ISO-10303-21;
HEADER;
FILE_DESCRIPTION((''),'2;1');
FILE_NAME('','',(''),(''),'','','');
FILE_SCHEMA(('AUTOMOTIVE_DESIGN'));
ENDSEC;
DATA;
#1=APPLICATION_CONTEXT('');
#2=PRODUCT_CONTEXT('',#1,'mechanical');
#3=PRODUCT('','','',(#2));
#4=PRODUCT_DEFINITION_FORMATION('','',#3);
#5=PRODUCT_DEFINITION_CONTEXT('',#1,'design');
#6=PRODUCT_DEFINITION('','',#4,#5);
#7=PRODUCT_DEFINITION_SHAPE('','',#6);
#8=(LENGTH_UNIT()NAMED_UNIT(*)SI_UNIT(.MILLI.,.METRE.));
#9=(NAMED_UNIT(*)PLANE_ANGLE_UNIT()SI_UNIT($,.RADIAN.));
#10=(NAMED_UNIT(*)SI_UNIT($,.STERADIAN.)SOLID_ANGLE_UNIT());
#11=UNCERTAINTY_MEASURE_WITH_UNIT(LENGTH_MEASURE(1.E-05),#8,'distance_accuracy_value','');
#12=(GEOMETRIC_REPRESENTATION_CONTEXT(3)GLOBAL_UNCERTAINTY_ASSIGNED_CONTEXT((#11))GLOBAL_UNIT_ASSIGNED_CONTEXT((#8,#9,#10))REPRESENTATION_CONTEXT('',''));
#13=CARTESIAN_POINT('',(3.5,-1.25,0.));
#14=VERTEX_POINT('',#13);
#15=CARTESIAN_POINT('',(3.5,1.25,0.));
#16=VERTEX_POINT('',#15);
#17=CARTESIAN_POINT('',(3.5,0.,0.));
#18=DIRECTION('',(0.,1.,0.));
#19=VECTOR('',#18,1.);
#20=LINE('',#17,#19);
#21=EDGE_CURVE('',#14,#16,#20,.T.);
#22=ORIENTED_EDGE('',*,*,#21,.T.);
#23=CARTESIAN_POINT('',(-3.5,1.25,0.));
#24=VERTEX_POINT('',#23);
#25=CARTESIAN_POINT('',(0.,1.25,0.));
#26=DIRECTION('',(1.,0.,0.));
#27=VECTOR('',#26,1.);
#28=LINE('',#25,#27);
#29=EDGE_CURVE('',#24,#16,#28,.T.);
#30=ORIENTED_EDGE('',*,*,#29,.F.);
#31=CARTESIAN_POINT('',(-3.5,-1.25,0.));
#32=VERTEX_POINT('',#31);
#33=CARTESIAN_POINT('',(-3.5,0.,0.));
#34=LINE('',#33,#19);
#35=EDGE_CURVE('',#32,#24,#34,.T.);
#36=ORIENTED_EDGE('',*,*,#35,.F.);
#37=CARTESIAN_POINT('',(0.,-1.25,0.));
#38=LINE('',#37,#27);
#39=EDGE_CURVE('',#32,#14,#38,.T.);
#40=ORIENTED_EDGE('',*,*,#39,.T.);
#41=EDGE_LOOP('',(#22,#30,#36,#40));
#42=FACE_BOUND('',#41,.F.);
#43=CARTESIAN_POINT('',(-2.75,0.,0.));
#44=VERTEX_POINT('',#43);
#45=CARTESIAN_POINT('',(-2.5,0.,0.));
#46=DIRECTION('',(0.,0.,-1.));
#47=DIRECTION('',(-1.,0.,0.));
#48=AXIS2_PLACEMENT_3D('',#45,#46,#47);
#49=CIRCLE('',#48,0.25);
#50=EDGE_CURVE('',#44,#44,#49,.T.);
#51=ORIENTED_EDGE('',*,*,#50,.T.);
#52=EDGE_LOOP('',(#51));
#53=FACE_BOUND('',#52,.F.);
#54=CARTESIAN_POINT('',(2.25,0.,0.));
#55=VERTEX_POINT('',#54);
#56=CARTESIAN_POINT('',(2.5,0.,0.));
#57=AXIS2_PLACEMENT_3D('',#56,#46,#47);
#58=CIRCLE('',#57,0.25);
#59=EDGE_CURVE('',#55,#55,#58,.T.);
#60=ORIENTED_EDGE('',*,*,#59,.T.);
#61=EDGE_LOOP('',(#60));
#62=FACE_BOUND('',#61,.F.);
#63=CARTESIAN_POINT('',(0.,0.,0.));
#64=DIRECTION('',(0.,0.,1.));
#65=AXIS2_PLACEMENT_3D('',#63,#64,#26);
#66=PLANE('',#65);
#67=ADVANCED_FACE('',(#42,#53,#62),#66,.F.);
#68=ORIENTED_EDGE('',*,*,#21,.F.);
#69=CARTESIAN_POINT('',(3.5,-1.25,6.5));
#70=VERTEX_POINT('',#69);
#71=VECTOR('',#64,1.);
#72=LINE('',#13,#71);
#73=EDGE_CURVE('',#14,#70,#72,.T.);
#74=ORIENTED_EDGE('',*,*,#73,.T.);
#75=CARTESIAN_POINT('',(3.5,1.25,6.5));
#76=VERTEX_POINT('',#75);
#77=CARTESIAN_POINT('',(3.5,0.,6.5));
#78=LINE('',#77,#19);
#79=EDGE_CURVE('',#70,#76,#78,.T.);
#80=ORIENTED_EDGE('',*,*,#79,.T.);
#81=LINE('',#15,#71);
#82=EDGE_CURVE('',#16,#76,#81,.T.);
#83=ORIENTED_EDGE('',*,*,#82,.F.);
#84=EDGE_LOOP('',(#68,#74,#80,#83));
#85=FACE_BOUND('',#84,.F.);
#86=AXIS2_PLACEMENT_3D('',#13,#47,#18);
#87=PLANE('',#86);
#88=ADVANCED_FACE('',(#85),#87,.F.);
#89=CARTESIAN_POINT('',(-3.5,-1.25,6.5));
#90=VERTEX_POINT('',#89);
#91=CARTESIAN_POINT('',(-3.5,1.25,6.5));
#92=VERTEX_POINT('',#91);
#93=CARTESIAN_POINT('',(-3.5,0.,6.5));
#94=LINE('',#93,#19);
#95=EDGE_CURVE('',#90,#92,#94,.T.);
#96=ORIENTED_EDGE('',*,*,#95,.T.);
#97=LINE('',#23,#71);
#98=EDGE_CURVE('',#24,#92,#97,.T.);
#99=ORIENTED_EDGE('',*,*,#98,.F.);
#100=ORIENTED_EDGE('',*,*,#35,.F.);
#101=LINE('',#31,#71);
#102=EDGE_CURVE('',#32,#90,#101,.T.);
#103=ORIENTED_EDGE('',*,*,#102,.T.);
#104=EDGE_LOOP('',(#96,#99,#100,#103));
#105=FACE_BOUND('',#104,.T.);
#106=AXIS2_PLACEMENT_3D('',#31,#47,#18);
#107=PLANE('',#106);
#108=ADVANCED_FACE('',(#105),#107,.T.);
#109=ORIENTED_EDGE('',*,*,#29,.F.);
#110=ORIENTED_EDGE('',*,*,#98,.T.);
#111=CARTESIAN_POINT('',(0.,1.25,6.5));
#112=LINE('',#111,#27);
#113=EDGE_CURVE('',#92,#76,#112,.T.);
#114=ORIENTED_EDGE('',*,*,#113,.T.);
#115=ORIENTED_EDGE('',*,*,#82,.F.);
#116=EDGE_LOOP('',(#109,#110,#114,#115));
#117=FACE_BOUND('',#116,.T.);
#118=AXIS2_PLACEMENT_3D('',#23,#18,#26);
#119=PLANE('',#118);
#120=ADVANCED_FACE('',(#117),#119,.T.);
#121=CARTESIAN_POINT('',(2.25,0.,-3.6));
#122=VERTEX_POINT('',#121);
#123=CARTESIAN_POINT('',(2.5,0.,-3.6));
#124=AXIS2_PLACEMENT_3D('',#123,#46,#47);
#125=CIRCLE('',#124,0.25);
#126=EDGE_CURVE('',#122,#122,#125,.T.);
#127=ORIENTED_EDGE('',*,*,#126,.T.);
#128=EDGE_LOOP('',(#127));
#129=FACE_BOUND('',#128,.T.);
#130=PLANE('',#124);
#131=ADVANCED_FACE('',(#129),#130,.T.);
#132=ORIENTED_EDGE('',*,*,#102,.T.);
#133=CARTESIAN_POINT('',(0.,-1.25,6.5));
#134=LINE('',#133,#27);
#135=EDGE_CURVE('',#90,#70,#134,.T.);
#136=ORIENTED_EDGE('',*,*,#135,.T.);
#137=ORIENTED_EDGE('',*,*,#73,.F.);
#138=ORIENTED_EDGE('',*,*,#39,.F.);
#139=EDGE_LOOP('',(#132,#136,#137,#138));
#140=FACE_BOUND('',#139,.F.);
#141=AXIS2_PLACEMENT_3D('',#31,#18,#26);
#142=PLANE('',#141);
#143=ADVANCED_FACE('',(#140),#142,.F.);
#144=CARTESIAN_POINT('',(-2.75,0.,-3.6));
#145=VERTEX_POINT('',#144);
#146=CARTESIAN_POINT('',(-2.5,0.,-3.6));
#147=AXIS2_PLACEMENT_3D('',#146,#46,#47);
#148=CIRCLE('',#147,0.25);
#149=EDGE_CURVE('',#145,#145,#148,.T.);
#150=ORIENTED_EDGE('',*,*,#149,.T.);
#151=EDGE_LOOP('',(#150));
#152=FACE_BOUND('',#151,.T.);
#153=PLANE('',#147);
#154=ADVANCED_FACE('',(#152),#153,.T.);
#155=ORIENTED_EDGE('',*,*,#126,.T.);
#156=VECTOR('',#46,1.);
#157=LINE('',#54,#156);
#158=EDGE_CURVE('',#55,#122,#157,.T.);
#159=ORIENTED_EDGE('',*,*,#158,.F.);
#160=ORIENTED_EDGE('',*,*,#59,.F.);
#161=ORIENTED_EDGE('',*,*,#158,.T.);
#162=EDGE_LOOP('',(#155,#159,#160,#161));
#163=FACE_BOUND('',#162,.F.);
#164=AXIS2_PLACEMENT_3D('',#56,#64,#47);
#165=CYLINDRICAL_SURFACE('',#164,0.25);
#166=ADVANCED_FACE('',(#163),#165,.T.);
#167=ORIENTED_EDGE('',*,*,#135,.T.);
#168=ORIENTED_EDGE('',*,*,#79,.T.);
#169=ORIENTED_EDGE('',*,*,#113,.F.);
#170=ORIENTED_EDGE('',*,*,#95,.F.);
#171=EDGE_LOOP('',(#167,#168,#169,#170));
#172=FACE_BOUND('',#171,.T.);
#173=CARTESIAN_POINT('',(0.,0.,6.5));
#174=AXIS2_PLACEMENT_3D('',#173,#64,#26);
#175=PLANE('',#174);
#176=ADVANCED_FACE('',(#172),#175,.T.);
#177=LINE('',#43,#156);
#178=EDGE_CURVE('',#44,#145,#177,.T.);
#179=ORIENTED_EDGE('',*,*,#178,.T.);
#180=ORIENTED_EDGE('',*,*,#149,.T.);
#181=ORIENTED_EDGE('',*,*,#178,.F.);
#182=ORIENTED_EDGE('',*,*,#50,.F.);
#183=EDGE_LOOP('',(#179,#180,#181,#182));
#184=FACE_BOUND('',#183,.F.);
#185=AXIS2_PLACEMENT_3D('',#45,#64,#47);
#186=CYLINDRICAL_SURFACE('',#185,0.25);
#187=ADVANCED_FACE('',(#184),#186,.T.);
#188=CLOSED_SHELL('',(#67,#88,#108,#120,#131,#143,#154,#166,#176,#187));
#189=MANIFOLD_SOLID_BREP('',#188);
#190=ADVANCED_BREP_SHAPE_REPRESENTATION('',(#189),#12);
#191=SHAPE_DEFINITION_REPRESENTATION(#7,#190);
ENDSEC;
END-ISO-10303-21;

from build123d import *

# Parameters (mm, degrees)
ESQUISSE1_W        = 7
ESQUISSE1_H        = 2.5
BOSS_EXTRU_1_DEPTH = 6.5
ESQUISSE2_R        = 0.25
BOSS_EXTRU_2_DEPTH = 3.6


with BuildPart() as part:
    # Esquisse1 → Boss.-Extru.1 (new body)
    with BuildSketch(Plane.XY):
        Rectangle(ESQUISSE1_W, ESQUISSE1_H)
    extrude(amount=BOSS_EXTRU_1_DEPTH)

    # Esquisse2 → Boss.-Extru.2 (add)
    with BuildSketch(Plane(origin=(0, 0, 0), x_dir=(-1, 0, 0), z_dir=(0, 0, -1))):
        with Locations((-2.5, 0)):
            Circle(ESQUISSE2_R)
        with Locations((2.5, 0)):
            Circle(ESQUISSE2_R)
    extrude(amount=BOSS_EXTRU_2_DEPTH)


solid = part.part
